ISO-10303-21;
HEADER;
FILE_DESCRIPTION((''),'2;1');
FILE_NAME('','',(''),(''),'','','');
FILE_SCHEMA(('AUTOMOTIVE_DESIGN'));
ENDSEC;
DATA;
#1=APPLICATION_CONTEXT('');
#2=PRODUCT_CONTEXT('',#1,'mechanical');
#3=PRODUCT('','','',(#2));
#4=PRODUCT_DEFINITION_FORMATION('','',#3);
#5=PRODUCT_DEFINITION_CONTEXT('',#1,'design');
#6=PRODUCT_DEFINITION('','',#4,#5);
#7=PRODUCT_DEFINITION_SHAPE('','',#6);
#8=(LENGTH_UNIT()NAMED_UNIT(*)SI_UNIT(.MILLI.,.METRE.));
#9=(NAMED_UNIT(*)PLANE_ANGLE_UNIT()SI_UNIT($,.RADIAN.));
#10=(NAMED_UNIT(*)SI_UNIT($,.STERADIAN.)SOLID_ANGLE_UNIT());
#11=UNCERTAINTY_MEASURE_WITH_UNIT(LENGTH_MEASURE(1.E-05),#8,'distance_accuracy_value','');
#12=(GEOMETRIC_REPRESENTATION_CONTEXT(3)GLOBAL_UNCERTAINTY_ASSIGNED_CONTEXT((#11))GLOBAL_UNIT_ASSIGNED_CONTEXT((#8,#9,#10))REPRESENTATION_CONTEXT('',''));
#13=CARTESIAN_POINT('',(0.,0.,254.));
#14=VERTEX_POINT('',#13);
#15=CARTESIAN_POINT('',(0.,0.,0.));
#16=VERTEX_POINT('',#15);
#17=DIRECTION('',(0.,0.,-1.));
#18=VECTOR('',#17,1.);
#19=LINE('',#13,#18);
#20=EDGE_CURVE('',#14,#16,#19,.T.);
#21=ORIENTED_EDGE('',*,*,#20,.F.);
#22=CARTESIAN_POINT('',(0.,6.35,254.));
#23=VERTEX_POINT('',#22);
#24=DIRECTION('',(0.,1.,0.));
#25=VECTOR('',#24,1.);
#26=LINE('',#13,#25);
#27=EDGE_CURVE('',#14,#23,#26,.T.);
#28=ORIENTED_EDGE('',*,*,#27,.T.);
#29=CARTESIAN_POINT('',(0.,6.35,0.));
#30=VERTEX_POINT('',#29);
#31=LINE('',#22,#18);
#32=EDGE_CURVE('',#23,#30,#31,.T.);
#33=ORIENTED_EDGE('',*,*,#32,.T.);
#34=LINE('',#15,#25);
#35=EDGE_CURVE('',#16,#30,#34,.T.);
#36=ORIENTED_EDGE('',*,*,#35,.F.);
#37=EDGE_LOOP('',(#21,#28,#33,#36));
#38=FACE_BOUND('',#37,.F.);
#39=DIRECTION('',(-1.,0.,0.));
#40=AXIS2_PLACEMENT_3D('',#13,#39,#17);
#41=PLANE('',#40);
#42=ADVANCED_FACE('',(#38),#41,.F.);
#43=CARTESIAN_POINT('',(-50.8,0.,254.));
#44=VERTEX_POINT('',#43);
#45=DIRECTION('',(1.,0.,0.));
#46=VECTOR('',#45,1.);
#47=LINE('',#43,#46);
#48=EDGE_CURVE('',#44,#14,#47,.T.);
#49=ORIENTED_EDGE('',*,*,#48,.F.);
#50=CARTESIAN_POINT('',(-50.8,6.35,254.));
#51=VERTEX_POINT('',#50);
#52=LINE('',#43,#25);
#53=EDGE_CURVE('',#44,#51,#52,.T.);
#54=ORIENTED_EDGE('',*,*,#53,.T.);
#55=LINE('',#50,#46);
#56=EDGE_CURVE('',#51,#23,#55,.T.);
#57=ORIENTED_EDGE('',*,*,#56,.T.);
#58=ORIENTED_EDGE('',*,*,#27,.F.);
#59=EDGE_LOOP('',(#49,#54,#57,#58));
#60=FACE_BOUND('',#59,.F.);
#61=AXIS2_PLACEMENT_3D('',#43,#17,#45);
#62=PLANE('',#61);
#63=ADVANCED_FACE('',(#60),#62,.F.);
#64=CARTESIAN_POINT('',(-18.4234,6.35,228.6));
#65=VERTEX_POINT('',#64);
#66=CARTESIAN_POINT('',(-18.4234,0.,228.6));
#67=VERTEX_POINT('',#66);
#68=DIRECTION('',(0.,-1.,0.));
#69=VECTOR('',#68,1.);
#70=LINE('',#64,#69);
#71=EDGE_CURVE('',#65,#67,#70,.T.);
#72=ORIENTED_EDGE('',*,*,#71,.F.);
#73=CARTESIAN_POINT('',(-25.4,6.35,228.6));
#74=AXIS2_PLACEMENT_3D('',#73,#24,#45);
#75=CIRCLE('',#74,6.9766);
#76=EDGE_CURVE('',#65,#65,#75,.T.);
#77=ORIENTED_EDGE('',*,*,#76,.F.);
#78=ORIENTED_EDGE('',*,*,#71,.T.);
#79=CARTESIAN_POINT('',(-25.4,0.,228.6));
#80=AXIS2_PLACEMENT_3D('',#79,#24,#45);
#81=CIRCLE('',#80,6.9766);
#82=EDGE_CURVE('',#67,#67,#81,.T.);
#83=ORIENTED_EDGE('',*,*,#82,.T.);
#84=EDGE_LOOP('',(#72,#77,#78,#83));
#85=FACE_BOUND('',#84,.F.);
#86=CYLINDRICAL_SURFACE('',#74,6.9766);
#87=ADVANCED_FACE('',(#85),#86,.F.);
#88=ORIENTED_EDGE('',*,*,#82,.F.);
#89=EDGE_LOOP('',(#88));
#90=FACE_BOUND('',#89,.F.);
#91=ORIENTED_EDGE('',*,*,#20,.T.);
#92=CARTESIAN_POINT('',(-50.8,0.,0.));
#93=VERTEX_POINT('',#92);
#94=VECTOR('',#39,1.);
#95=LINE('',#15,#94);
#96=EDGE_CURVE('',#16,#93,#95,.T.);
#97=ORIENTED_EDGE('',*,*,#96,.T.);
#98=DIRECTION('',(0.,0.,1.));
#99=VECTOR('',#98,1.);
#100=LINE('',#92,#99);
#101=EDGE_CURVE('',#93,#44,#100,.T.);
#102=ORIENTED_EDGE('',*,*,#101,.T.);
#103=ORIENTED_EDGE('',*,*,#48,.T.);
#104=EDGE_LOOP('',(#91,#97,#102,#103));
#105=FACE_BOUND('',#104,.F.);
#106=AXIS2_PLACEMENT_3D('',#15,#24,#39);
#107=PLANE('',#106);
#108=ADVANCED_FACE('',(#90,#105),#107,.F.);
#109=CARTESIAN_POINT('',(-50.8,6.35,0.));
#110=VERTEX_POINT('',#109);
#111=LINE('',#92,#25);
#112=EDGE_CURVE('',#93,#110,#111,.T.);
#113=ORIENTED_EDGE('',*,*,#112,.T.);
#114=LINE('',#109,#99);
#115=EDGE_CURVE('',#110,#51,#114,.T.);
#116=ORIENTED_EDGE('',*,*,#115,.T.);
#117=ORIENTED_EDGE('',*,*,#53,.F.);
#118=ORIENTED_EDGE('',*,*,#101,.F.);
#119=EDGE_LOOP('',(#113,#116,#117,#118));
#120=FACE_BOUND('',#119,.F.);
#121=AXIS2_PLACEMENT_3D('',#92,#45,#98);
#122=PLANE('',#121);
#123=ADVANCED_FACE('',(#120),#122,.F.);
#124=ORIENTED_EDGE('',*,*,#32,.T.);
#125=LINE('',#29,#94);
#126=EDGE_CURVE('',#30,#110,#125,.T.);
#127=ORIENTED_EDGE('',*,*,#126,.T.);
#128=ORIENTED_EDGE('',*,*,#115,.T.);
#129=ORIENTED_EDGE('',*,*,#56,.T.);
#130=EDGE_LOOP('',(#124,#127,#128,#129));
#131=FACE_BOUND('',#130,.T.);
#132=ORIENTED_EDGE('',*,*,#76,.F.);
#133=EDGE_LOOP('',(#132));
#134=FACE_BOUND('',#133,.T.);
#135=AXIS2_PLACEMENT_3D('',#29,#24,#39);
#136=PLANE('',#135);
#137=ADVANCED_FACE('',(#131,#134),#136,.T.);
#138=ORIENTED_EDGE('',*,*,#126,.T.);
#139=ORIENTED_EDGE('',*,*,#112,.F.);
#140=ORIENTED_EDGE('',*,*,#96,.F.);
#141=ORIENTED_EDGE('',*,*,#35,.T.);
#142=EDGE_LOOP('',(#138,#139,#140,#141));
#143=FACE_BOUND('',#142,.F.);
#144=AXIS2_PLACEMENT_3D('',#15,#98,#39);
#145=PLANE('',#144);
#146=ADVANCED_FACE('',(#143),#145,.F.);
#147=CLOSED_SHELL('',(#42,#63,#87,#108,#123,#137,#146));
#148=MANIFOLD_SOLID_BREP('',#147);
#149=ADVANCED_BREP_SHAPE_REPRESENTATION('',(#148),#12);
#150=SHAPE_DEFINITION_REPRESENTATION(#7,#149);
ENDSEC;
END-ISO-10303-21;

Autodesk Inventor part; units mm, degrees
ref_plane "YZ Plane" through (0, 0, 0) normal (1, 0, 0) x (0, 1, 0)
ref_plane "XZ Plane" through (0, 0, 0) normal (0, 1, 0) x (-1, 0, 0)
ref_plane "XY Plane" through (0, 0, 0) normal (0, 0, 1) x (1, 0, 0)
sketch "Sketch1" plane through (0, 0, 0) normal (0, 1, 0) x (-1, 0, 0)
  line L0 (0, 0) -> (50.8, 0)
  line L1 (50.8, 0) -> (50.8, 254)
  line L2 (50.8, 254) -> (0, 254)
  line L3 (0, 254) -> (0, 0)
  dimension "d0" = 50.8
  dimension "d1" = 254
extrude "Extrusion1" add sketch "Sketch1" along normal blind 6.35
sketch "Sketch2" plane through (0, 6.35, 0) normal (0, 1, 0) x (1, 0, 0)
  line L0 (-50.8, -254) -> (0, -254) projected
  circle A0 centre (-25.4, -228.6) radius 6.9766
  dimension "d4" = 25.4
extrude "Extrusion2" cut sketch "Sketch2" against normal blind 25.4
properties part number "heightMarker" material "Gold"
